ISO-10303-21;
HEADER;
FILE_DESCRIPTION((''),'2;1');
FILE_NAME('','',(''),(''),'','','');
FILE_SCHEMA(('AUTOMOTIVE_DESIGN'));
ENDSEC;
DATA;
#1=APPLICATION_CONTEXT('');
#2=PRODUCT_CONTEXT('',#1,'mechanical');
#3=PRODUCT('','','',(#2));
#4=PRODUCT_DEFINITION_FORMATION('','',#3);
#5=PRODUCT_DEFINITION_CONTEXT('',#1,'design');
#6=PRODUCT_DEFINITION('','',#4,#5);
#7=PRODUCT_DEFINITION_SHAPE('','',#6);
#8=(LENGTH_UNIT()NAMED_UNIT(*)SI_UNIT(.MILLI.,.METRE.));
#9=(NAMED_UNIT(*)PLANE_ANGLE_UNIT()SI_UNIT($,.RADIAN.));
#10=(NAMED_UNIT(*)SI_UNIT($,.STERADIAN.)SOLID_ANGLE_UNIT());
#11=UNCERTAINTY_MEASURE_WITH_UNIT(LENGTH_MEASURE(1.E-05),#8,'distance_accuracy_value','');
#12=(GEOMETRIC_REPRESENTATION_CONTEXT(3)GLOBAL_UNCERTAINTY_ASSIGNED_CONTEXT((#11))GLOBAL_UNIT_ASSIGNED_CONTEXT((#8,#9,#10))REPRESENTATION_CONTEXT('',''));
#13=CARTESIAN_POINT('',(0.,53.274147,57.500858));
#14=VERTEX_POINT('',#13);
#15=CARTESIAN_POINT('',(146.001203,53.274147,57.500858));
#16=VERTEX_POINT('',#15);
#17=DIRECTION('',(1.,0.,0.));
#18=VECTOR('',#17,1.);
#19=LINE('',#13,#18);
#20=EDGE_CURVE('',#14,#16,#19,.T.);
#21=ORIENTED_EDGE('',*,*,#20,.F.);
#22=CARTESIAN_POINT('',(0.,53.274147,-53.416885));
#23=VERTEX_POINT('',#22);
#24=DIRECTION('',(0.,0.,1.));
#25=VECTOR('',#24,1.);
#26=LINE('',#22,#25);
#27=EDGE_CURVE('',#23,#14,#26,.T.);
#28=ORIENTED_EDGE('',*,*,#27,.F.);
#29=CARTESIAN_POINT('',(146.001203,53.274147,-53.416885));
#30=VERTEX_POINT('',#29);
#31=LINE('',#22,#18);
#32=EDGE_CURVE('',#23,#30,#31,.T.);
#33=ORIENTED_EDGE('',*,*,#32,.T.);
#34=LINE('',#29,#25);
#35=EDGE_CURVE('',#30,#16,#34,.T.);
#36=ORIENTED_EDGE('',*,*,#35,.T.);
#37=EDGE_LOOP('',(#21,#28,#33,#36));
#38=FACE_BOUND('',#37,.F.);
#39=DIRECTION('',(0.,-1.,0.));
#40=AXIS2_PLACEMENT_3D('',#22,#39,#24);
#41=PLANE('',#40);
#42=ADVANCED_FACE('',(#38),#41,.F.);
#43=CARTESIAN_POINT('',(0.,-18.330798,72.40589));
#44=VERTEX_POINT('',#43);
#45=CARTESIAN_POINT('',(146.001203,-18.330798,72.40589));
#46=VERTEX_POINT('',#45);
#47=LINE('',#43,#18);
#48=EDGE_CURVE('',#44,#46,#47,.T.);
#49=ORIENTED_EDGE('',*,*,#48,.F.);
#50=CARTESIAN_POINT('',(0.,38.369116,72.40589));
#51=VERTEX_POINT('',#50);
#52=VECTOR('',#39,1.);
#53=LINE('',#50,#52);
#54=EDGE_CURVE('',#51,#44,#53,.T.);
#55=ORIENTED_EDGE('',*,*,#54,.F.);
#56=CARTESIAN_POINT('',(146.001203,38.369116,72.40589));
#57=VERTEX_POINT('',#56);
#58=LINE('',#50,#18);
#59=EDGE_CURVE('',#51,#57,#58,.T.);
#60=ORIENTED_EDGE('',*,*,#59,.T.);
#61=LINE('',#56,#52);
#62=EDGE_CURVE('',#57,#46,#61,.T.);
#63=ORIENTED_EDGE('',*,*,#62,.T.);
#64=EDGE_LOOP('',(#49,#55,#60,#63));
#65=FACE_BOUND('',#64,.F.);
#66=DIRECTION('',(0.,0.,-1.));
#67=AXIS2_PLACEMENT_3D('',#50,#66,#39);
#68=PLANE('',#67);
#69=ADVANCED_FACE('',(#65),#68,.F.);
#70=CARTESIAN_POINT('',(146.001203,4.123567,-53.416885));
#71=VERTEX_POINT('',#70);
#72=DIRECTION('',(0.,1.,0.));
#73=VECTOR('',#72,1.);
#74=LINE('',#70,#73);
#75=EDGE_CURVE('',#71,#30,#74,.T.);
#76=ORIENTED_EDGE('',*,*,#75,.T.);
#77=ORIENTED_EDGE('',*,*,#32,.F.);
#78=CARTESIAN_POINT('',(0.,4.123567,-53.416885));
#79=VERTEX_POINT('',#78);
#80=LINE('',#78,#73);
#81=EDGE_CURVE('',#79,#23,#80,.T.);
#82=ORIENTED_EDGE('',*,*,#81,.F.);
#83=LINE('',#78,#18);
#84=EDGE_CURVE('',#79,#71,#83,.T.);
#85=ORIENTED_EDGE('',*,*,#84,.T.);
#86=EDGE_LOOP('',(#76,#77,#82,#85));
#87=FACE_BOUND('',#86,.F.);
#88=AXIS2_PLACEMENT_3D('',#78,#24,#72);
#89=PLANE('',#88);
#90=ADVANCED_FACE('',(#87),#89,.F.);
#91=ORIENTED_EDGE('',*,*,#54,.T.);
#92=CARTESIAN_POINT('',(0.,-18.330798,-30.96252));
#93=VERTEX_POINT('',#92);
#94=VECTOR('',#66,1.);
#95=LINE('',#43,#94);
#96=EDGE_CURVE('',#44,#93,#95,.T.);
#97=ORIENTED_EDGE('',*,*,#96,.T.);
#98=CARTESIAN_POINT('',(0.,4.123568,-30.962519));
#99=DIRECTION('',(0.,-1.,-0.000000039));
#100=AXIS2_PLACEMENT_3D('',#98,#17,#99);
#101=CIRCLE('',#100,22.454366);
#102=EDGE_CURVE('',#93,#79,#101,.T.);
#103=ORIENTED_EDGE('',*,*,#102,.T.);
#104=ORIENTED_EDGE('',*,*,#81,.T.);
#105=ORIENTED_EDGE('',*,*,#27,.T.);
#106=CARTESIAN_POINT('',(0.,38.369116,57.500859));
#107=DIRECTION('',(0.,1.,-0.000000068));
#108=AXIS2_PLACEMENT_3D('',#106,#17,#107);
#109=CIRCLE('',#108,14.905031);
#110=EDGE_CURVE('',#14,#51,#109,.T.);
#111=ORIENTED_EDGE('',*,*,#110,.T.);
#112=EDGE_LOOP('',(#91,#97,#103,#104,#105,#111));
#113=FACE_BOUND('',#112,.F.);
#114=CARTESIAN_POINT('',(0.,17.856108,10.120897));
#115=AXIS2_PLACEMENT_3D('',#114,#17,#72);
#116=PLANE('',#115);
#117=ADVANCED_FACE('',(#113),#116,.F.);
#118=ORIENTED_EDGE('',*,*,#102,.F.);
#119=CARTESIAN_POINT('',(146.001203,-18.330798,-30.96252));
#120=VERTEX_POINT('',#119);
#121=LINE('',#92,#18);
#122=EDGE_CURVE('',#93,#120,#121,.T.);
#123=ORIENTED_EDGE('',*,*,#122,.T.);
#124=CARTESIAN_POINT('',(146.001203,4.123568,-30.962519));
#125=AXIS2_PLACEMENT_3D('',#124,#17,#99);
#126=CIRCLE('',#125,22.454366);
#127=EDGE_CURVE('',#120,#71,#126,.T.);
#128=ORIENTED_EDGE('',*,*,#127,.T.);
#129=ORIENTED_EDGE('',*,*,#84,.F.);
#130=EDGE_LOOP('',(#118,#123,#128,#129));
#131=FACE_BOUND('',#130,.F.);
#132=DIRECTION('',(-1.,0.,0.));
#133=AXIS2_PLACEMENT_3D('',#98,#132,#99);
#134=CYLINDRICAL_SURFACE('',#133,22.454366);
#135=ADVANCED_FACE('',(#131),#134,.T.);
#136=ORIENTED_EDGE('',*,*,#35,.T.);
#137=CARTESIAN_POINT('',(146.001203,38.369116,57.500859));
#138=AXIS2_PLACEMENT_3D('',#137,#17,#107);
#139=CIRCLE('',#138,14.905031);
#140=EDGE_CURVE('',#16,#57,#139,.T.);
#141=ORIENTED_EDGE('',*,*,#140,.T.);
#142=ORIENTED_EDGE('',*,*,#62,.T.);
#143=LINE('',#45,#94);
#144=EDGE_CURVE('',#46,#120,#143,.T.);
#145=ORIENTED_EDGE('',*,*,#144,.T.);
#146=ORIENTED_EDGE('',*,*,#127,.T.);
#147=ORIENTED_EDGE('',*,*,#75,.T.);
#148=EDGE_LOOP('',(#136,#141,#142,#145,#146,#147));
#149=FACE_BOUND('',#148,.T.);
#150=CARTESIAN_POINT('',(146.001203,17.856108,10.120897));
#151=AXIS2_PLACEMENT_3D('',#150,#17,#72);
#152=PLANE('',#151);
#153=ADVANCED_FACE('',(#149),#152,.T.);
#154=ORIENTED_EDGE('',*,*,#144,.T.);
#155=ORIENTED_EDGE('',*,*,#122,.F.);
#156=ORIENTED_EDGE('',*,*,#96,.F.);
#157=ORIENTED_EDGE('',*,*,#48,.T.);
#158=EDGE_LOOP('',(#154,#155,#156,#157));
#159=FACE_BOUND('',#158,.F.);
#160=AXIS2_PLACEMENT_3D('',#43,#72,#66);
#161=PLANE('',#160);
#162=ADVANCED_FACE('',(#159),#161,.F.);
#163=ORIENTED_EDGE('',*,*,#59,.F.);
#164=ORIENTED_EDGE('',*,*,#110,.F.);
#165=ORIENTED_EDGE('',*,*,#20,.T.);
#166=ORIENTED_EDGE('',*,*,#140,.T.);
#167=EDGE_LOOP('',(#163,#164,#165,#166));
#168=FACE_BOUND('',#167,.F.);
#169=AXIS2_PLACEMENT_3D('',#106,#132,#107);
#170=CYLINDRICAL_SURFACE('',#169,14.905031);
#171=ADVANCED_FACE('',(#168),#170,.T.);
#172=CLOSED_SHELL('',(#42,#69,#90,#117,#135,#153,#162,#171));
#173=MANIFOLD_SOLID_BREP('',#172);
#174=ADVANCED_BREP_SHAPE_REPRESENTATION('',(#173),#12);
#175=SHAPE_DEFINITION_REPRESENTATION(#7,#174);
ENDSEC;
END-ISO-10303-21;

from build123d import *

# Parameters (mm, degrees)
F1_DEPTH = 146.001203


with BuildPart() as f1:
    # F0 (on Right) → F1 (new body)
    with BuildSketch(Plane.YZ):
        with BuildLine():
            Line((38.369116, 72.40589), (-18.330798, 72.40589))
            Line((-18.330798, 72.40589), (-18.330798, -30.96252))
            ThreePointArc((-18.330798, -30.96252), (-11.754066, -46.840154), (4.123567, -53.416885))
            Line((4.123567, -53.416885), (53.274147, -53.416885))
            Line((53.274147, -53.416885), (53.274147, 57.500858))
            ThreePointArc((53.274147, 57.500858), (48.908565, 68.040307), (38.369116, 72.40589))
        make_face()
    extrude(amount=F1_DEPTH)


solid = f1.part
